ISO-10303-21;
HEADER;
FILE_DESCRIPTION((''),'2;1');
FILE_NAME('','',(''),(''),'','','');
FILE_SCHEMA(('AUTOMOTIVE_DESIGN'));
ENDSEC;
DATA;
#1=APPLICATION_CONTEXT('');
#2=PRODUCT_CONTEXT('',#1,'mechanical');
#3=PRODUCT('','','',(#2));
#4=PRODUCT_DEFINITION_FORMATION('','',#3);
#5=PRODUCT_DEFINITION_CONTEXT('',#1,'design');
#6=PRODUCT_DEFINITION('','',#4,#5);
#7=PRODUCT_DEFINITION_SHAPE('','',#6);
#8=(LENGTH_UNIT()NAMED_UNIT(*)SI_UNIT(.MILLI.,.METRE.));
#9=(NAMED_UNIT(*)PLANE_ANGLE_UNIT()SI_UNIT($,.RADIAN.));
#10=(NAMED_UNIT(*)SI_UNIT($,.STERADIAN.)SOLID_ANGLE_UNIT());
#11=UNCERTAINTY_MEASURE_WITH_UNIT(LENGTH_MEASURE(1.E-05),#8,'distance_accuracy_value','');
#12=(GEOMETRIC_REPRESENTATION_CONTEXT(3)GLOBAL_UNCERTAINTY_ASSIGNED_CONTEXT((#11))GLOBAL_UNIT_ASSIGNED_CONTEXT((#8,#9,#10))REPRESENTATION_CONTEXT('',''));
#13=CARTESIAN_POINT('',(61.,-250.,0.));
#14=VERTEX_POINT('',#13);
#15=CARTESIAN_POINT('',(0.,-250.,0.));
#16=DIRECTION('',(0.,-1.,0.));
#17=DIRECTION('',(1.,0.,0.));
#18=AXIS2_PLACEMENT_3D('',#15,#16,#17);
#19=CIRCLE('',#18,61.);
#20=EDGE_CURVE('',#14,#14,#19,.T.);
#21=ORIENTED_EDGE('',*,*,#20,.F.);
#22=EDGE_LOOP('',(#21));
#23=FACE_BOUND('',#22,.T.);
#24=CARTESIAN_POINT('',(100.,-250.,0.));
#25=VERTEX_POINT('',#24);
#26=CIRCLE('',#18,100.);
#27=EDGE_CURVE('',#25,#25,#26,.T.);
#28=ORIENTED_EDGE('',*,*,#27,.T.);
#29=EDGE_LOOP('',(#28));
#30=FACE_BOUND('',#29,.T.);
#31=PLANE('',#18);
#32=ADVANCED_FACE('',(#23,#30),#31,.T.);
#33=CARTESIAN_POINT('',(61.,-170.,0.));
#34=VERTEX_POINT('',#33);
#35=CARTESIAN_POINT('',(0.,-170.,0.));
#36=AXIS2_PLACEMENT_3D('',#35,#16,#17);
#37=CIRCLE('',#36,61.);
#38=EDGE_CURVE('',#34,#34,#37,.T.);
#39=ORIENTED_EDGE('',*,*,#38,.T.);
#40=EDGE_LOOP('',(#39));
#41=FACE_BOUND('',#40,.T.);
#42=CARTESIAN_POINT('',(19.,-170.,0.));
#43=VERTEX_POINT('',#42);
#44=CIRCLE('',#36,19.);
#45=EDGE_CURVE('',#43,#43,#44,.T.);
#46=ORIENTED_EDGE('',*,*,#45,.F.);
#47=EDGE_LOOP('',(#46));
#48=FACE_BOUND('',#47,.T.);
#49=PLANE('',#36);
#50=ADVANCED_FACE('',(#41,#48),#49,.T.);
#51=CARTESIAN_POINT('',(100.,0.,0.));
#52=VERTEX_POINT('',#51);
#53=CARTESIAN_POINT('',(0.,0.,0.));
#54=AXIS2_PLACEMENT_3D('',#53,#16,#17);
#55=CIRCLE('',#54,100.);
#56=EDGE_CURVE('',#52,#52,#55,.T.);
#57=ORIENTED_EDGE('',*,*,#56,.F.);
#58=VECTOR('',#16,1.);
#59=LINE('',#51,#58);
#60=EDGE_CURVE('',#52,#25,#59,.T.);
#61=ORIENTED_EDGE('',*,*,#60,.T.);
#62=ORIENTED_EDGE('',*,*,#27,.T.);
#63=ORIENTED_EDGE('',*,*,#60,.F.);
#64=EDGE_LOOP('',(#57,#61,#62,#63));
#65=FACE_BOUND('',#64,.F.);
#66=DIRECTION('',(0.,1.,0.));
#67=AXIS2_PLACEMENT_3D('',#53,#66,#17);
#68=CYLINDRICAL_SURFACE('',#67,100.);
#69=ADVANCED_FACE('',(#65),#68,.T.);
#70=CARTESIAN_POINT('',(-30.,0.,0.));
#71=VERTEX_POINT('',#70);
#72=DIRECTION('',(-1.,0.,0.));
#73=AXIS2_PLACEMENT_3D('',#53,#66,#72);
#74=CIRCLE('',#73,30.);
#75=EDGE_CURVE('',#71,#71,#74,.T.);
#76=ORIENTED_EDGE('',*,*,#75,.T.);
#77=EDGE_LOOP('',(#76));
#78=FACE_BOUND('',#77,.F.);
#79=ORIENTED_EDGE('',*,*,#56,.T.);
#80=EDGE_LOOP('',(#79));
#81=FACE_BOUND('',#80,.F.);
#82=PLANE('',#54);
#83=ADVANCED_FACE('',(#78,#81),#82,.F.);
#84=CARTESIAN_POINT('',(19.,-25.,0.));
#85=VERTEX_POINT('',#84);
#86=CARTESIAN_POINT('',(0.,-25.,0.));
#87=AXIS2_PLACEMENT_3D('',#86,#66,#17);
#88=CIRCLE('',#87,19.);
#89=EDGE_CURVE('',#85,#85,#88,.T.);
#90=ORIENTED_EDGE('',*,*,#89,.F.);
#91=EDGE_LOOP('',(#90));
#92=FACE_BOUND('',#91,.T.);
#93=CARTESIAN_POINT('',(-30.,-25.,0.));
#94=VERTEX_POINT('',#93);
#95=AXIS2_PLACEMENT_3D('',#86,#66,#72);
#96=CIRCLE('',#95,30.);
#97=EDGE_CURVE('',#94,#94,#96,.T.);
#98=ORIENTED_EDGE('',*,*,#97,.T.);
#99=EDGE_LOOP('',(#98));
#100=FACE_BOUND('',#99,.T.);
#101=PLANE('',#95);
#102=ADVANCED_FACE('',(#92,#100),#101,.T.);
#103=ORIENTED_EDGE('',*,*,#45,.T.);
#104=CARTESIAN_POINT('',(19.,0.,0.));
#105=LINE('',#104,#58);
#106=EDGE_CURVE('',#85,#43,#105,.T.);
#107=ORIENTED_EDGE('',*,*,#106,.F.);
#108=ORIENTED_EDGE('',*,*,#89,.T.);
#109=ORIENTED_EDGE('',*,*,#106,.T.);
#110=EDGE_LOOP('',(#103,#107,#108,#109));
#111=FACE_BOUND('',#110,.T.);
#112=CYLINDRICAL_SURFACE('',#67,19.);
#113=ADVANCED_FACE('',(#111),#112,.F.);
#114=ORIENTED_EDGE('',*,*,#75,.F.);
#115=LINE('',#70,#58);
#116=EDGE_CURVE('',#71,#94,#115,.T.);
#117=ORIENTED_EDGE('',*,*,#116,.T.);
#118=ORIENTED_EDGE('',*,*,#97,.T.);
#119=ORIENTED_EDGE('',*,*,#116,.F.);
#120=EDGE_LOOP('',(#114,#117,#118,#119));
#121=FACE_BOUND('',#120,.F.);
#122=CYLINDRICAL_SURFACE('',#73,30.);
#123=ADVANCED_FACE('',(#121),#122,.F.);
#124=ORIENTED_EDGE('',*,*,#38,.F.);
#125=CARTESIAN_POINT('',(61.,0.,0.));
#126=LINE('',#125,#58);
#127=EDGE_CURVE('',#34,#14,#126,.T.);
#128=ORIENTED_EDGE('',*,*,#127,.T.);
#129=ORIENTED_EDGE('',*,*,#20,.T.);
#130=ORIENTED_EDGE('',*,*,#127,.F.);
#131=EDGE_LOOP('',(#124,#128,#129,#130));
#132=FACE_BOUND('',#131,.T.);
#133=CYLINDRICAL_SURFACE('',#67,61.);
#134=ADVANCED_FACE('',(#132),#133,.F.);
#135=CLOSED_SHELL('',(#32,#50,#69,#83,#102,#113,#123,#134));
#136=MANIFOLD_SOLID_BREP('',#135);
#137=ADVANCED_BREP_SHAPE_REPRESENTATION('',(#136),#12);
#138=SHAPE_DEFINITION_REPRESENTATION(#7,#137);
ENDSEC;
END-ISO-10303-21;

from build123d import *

# Parameters (mm, degrees)
F0_R     = 100
F0_R_2   = 61
F1_DEPTH = 250
F0_R_3   = 19
F2_DEPTH = 170
F3_R     = 30
F3_R_2   = 19
F4_DEPTH = 25


with BuildPart() as f1:
    # F0 (on Front) → F1 (new body)
    with BuildSketch(Plane.XZ):
        Circle(F0_R)
        Circle(F0_R_2, mode=Mode.SUBTRACT)
    extrude(amount=F1_DEPTH)

    # F0 (on Front) → F2 (join)
    with BuildSketch(Plane.XZ):
        Circle(F0_R_2)
        Circle(F0_R_3, mode=Mode.SUBTRACT)
    extrude(amount=F2_DEPTH)

    # F3 (on face) → F4 (cut)
    with BuildSketch(Plane(origin=(0, 0, 0), x_dir=(-1, 0, 0), z_dir=(0, 1, 0))):
        Circle(F3_R)
        Circle(F3_R_2, mode=Mode.SUBTRACT)
    extrude(amount=-F4_DEPTH, mode=Mode.SUBTRACT)


solid = f1.part
